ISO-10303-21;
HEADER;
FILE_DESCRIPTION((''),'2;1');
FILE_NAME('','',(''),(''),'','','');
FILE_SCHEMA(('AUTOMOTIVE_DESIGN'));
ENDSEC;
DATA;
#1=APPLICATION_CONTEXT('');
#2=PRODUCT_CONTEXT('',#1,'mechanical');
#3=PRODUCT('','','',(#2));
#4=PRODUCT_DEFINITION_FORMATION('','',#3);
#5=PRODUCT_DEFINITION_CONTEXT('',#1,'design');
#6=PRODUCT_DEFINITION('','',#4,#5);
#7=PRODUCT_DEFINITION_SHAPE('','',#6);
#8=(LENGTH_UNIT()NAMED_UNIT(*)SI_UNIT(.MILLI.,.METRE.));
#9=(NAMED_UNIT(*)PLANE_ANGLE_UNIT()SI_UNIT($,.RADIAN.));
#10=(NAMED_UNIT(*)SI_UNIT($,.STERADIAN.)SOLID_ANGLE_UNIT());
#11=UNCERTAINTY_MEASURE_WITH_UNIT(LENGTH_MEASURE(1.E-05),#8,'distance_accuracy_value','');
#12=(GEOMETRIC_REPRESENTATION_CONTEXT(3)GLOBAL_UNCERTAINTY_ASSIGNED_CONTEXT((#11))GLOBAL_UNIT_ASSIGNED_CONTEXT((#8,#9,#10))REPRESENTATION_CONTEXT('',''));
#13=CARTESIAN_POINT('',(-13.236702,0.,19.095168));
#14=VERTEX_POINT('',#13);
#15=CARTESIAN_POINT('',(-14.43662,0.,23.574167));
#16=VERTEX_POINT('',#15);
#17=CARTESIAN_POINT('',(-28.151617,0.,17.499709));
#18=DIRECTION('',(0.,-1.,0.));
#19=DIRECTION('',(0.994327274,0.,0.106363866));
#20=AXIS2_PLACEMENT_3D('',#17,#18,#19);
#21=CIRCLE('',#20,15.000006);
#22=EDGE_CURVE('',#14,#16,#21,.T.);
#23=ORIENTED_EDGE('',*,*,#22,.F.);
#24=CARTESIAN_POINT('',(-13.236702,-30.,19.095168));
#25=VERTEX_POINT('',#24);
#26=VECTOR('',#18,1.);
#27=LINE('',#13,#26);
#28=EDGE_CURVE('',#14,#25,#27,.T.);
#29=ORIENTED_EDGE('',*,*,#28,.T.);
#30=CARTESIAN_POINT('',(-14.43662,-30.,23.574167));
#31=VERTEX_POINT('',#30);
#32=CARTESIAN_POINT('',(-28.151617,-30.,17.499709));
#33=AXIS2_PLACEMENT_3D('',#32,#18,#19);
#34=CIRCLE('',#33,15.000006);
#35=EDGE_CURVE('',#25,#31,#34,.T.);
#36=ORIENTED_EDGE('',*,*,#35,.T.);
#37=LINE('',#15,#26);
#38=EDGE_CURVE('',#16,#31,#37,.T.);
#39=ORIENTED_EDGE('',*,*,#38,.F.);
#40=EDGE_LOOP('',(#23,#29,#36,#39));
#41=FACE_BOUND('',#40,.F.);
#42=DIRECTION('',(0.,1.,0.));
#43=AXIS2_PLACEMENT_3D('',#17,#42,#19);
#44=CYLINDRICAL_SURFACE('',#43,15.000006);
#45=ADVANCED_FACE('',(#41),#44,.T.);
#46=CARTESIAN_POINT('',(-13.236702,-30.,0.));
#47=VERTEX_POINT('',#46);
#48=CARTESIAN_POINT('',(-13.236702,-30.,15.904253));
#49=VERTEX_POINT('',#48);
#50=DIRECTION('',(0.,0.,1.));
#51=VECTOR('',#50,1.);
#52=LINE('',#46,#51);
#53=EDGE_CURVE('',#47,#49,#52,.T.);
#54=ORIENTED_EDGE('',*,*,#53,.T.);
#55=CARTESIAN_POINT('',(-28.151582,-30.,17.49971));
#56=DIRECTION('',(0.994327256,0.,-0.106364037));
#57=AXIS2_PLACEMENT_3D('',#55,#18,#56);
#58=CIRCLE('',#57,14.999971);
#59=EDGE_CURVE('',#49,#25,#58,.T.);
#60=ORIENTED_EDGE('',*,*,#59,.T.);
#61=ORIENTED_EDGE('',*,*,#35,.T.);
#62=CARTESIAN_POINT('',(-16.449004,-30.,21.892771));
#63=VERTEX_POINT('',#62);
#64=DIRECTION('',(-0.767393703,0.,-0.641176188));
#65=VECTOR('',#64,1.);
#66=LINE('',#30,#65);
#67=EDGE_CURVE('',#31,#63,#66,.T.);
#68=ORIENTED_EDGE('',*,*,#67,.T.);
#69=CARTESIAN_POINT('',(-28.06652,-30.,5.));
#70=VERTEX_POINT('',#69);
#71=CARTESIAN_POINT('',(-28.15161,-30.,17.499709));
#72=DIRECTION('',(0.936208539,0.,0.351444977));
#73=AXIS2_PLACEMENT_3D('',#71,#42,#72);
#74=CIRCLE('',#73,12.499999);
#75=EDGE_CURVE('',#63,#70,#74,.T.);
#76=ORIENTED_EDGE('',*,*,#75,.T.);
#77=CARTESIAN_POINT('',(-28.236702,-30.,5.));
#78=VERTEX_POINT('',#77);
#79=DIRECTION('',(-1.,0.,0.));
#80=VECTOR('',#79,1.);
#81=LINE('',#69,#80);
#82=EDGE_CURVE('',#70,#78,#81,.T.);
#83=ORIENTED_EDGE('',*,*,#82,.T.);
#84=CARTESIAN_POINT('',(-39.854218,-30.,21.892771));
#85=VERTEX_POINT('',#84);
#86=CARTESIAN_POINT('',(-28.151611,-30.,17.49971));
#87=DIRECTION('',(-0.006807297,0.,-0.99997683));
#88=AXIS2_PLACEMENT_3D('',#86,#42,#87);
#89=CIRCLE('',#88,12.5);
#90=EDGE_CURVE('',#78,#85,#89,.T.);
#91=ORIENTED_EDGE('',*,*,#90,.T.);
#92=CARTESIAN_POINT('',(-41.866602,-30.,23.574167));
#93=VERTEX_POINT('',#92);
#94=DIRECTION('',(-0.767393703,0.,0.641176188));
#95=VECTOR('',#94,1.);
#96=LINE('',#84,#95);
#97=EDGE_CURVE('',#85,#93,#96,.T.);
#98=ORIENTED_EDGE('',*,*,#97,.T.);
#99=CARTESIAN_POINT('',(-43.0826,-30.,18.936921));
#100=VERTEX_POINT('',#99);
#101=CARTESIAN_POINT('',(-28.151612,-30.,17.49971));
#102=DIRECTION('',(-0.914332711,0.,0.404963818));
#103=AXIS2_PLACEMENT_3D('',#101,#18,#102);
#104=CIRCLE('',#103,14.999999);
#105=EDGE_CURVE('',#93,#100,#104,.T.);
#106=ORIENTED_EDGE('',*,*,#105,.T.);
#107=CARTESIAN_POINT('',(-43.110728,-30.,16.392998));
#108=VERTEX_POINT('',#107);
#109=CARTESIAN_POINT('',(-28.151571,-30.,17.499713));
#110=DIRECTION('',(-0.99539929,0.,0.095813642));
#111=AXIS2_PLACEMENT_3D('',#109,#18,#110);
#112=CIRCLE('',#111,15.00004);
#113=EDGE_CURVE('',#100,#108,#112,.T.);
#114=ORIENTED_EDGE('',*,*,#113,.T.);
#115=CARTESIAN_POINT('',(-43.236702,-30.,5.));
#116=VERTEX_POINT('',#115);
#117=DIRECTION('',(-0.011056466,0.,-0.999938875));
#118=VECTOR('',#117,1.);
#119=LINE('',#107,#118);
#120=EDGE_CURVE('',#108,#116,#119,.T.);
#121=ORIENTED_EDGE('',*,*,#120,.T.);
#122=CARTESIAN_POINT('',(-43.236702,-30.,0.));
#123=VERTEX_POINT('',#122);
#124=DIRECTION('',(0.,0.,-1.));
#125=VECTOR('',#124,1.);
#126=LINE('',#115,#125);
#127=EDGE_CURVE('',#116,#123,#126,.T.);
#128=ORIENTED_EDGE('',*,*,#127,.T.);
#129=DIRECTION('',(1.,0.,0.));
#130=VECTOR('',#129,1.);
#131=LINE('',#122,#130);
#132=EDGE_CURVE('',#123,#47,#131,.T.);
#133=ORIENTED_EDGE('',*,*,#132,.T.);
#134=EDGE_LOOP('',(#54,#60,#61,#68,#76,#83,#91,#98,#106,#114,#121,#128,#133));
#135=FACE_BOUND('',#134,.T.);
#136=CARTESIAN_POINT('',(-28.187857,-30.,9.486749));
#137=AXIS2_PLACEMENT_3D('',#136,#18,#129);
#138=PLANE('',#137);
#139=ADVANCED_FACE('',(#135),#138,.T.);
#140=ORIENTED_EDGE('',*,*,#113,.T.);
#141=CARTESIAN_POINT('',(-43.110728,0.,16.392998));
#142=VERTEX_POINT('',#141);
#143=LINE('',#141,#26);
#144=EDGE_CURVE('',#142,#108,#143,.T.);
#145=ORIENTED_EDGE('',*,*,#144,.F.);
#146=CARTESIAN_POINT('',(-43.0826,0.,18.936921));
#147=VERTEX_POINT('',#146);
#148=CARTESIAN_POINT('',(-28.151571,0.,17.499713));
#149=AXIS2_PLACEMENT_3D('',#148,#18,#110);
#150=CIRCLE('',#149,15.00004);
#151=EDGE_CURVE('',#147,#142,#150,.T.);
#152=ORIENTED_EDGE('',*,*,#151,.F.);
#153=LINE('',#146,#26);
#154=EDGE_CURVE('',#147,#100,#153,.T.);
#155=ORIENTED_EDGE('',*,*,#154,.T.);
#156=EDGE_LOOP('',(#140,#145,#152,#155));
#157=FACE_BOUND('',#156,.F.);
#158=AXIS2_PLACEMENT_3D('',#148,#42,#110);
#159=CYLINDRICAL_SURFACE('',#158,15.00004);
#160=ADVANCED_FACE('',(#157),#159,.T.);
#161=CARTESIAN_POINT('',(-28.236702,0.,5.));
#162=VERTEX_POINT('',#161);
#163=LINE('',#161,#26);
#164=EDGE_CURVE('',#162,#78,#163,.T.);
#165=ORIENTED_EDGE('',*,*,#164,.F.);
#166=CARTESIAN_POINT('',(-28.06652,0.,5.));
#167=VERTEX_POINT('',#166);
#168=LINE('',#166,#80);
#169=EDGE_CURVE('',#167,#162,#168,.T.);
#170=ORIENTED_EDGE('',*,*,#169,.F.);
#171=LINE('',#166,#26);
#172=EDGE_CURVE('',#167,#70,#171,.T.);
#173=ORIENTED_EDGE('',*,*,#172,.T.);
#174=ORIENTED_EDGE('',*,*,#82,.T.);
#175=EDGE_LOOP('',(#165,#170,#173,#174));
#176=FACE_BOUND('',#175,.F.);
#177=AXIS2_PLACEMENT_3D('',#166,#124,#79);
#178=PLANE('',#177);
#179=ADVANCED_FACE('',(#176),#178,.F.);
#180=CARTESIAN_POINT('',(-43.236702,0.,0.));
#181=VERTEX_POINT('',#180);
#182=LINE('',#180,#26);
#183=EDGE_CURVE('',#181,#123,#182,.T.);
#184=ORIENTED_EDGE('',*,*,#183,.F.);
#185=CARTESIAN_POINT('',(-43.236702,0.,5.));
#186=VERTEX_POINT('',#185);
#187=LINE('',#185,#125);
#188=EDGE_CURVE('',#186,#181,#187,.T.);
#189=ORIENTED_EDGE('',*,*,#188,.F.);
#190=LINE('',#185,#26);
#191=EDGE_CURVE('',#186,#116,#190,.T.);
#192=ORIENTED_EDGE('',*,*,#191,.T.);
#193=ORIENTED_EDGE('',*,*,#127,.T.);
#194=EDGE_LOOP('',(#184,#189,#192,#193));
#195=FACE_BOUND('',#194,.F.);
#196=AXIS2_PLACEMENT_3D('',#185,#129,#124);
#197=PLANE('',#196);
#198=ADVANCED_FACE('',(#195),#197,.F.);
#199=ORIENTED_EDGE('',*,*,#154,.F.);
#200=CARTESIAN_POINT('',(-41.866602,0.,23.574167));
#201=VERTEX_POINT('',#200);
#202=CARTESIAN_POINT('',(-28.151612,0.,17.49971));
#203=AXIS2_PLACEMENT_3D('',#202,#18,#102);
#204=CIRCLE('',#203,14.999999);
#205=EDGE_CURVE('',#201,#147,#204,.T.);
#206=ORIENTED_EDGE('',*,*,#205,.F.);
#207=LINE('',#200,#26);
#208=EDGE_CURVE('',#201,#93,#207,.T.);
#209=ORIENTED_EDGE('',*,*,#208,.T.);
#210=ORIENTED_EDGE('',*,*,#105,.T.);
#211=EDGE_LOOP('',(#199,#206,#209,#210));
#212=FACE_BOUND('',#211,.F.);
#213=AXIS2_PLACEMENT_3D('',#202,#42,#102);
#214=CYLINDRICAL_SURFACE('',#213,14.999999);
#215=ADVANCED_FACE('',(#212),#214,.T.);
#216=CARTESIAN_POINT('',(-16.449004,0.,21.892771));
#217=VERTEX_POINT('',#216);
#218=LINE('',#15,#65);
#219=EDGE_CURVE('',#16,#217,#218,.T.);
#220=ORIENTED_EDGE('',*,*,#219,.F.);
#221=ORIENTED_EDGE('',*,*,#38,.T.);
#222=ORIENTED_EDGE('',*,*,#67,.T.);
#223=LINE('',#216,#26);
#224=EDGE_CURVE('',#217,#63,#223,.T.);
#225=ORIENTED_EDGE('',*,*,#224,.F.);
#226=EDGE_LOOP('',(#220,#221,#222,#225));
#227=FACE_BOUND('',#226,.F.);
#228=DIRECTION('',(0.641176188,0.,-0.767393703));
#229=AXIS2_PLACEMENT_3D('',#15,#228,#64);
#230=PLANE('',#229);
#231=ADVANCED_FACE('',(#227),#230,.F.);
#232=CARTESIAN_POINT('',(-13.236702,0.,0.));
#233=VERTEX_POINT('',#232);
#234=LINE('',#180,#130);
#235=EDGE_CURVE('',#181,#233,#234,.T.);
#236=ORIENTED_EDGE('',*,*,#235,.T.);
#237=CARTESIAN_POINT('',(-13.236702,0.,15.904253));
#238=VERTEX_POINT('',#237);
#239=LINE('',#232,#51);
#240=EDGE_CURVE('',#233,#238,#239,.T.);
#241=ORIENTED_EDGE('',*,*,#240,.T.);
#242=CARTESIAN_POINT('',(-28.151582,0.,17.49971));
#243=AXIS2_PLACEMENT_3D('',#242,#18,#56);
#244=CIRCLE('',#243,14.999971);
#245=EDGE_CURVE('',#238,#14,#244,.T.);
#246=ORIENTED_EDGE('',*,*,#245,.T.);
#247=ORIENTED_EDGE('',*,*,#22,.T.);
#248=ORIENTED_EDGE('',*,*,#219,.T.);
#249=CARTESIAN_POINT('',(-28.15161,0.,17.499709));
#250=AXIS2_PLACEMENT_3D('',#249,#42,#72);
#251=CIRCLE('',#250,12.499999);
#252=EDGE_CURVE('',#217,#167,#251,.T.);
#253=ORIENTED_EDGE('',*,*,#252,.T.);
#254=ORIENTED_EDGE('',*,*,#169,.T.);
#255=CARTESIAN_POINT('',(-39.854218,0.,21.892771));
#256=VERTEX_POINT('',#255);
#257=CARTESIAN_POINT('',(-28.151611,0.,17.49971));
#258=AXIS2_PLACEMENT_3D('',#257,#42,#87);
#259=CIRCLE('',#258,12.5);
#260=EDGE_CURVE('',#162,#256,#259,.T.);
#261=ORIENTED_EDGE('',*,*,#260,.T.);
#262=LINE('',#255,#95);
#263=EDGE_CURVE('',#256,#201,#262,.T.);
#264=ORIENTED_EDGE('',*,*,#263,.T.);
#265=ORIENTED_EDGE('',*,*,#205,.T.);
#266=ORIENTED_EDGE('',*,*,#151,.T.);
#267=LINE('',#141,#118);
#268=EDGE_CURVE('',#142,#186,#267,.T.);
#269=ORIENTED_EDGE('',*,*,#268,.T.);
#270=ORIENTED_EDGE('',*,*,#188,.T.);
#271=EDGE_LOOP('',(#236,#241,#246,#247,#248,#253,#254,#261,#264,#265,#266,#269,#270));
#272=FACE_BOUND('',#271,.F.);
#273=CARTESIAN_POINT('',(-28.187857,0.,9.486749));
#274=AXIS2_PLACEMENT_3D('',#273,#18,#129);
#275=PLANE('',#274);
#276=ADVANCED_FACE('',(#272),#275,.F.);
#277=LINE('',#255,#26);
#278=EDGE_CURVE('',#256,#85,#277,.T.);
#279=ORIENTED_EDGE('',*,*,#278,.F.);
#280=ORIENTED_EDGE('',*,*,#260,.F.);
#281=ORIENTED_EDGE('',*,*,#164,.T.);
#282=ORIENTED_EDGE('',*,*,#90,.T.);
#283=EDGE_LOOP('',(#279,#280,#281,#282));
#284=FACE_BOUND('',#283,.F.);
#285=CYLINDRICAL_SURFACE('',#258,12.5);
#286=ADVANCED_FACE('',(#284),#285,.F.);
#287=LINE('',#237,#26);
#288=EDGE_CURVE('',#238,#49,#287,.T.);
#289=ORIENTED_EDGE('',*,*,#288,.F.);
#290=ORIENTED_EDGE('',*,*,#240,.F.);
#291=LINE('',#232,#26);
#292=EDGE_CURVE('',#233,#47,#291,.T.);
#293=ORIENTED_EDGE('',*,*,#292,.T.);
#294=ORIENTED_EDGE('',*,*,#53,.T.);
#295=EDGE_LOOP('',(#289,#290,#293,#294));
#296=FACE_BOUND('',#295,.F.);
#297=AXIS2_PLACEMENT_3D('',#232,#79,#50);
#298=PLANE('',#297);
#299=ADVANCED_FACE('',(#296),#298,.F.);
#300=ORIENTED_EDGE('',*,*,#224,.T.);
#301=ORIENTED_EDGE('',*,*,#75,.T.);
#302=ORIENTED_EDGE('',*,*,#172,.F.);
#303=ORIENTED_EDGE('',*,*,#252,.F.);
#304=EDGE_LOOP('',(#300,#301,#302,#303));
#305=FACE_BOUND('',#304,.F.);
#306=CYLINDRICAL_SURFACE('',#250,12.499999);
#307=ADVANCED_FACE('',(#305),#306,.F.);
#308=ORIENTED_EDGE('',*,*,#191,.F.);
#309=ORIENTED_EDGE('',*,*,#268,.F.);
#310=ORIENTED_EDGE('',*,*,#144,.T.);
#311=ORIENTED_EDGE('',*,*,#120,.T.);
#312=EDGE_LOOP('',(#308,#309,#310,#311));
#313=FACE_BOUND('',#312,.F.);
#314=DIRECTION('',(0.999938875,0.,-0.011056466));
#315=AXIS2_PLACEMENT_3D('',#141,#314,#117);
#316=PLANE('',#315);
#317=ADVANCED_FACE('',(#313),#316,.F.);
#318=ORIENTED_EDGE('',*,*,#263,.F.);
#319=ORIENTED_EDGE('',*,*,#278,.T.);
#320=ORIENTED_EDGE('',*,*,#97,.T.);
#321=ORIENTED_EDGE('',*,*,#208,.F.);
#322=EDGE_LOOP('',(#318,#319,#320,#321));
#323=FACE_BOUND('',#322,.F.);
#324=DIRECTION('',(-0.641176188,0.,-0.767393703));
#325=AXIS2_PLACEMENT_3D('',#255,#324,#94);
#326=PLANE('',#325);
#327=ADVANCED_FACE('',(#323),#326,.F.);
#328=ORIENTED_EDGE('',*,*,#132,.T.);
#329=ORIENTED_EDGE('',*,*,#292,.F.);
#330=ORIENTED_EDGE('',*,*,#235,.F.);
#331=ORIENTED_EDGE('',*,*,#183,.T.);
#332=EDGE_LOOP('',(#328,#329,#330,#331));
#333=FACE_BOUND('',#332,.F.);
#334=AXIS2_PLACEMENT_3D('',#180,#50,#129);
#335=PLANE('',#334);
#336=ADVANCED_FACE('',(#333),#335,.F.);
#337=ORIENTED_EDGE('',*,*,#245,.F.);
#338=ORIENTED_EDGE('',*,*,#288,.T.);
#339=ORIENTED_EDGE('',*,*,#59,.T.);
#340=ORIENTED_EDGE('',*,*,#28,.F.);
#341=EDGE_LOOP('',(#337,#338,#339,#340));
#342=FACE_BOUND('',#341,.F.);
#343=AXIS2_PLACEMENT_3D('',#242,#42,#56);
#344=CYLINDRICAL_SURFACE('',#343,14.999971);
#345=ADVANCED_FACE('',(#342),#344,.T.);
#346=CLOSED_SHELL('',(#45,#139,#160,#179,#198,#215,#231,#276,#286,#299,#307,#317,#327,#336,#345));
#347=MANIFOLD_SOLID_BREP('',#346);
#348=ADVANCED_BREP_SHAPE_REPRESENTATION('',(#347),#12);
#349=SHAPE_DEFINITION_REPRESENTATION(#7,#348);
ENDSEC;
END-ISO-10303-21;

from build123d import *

# Parameters (mm, degrees)
F1_DEPTH = 30


with BuildPart() as f1:
    # F0 (on Front) → F1 (new body)
    with BuildSketch(Plane.XZ):
        with BuildLine():
            Line((-43.236702, 0), (-13.236702, 0))
            Line((-13.236702, 0), (-13.236702, 5))
            Line((-13.236702, 5), (-13.236702, 15.904253))
            Line((-13.236702, 15.904253), (-13.236702, 19.095168))
            ThreePointArc((-13.236702, 19.095168), (-13.662541, 21.381314), (-14.43662, 23.574167))
            Line((-14.43662, 23.574167), (-16.449004, 21.892771))
            ThreePointArc((-16.449004, 21.892771), (-17.85215, 10.416553), (-28.06652, 5))
            ThreePointArc((-28.06652, 5), (-28.151611, 4.99971), (-28.236702, 5))
            ThreePointArc((-28.236702, 5), (-38.451071, 10.416553), (-39.854218, 21.892771))
            Line((-39.854218, 21.892771), (-41.866602, 23.574167))
            ThreePointArc((-41.866602, 23.574167), (-42.661058, 21.304438), (-43.0826, 18.936921))
            Line((-43.0826, 18.936921), (-43.110728, 16.392998))
            Line((-43.110728, 16.392998), (-43.236702, 5))
            Line((-43.236702, 5), (-43.236702, 0))
        make_face()
        with BuildLine():
            Line((-13.236702, 19.095168), (-13.236702, 15.904253))
            ThreePointArc((-13.236702, 15.904253), (-13.151611, 17.49971), (-13.236702, 19.095168))
        make_face()
        with BuildLine():
            ThreePointArc((-43.0826, 18.936921), (-43.150694, 17.665557), (-43.110728, 16.392998))
            Line((-43.110728, 16.392998), (-43.0826, 18.936921))
        make_face()
        with BuildLine():
            ThreePointArc((-28.236702, 5), (-28.151611, 4.99971), (-28.06652, 5))
            Line((-28.06652, 5), (-28.236702, 5))
        make_face()
    extrude(amount=F1_DEPTH)


solid = f1.part
